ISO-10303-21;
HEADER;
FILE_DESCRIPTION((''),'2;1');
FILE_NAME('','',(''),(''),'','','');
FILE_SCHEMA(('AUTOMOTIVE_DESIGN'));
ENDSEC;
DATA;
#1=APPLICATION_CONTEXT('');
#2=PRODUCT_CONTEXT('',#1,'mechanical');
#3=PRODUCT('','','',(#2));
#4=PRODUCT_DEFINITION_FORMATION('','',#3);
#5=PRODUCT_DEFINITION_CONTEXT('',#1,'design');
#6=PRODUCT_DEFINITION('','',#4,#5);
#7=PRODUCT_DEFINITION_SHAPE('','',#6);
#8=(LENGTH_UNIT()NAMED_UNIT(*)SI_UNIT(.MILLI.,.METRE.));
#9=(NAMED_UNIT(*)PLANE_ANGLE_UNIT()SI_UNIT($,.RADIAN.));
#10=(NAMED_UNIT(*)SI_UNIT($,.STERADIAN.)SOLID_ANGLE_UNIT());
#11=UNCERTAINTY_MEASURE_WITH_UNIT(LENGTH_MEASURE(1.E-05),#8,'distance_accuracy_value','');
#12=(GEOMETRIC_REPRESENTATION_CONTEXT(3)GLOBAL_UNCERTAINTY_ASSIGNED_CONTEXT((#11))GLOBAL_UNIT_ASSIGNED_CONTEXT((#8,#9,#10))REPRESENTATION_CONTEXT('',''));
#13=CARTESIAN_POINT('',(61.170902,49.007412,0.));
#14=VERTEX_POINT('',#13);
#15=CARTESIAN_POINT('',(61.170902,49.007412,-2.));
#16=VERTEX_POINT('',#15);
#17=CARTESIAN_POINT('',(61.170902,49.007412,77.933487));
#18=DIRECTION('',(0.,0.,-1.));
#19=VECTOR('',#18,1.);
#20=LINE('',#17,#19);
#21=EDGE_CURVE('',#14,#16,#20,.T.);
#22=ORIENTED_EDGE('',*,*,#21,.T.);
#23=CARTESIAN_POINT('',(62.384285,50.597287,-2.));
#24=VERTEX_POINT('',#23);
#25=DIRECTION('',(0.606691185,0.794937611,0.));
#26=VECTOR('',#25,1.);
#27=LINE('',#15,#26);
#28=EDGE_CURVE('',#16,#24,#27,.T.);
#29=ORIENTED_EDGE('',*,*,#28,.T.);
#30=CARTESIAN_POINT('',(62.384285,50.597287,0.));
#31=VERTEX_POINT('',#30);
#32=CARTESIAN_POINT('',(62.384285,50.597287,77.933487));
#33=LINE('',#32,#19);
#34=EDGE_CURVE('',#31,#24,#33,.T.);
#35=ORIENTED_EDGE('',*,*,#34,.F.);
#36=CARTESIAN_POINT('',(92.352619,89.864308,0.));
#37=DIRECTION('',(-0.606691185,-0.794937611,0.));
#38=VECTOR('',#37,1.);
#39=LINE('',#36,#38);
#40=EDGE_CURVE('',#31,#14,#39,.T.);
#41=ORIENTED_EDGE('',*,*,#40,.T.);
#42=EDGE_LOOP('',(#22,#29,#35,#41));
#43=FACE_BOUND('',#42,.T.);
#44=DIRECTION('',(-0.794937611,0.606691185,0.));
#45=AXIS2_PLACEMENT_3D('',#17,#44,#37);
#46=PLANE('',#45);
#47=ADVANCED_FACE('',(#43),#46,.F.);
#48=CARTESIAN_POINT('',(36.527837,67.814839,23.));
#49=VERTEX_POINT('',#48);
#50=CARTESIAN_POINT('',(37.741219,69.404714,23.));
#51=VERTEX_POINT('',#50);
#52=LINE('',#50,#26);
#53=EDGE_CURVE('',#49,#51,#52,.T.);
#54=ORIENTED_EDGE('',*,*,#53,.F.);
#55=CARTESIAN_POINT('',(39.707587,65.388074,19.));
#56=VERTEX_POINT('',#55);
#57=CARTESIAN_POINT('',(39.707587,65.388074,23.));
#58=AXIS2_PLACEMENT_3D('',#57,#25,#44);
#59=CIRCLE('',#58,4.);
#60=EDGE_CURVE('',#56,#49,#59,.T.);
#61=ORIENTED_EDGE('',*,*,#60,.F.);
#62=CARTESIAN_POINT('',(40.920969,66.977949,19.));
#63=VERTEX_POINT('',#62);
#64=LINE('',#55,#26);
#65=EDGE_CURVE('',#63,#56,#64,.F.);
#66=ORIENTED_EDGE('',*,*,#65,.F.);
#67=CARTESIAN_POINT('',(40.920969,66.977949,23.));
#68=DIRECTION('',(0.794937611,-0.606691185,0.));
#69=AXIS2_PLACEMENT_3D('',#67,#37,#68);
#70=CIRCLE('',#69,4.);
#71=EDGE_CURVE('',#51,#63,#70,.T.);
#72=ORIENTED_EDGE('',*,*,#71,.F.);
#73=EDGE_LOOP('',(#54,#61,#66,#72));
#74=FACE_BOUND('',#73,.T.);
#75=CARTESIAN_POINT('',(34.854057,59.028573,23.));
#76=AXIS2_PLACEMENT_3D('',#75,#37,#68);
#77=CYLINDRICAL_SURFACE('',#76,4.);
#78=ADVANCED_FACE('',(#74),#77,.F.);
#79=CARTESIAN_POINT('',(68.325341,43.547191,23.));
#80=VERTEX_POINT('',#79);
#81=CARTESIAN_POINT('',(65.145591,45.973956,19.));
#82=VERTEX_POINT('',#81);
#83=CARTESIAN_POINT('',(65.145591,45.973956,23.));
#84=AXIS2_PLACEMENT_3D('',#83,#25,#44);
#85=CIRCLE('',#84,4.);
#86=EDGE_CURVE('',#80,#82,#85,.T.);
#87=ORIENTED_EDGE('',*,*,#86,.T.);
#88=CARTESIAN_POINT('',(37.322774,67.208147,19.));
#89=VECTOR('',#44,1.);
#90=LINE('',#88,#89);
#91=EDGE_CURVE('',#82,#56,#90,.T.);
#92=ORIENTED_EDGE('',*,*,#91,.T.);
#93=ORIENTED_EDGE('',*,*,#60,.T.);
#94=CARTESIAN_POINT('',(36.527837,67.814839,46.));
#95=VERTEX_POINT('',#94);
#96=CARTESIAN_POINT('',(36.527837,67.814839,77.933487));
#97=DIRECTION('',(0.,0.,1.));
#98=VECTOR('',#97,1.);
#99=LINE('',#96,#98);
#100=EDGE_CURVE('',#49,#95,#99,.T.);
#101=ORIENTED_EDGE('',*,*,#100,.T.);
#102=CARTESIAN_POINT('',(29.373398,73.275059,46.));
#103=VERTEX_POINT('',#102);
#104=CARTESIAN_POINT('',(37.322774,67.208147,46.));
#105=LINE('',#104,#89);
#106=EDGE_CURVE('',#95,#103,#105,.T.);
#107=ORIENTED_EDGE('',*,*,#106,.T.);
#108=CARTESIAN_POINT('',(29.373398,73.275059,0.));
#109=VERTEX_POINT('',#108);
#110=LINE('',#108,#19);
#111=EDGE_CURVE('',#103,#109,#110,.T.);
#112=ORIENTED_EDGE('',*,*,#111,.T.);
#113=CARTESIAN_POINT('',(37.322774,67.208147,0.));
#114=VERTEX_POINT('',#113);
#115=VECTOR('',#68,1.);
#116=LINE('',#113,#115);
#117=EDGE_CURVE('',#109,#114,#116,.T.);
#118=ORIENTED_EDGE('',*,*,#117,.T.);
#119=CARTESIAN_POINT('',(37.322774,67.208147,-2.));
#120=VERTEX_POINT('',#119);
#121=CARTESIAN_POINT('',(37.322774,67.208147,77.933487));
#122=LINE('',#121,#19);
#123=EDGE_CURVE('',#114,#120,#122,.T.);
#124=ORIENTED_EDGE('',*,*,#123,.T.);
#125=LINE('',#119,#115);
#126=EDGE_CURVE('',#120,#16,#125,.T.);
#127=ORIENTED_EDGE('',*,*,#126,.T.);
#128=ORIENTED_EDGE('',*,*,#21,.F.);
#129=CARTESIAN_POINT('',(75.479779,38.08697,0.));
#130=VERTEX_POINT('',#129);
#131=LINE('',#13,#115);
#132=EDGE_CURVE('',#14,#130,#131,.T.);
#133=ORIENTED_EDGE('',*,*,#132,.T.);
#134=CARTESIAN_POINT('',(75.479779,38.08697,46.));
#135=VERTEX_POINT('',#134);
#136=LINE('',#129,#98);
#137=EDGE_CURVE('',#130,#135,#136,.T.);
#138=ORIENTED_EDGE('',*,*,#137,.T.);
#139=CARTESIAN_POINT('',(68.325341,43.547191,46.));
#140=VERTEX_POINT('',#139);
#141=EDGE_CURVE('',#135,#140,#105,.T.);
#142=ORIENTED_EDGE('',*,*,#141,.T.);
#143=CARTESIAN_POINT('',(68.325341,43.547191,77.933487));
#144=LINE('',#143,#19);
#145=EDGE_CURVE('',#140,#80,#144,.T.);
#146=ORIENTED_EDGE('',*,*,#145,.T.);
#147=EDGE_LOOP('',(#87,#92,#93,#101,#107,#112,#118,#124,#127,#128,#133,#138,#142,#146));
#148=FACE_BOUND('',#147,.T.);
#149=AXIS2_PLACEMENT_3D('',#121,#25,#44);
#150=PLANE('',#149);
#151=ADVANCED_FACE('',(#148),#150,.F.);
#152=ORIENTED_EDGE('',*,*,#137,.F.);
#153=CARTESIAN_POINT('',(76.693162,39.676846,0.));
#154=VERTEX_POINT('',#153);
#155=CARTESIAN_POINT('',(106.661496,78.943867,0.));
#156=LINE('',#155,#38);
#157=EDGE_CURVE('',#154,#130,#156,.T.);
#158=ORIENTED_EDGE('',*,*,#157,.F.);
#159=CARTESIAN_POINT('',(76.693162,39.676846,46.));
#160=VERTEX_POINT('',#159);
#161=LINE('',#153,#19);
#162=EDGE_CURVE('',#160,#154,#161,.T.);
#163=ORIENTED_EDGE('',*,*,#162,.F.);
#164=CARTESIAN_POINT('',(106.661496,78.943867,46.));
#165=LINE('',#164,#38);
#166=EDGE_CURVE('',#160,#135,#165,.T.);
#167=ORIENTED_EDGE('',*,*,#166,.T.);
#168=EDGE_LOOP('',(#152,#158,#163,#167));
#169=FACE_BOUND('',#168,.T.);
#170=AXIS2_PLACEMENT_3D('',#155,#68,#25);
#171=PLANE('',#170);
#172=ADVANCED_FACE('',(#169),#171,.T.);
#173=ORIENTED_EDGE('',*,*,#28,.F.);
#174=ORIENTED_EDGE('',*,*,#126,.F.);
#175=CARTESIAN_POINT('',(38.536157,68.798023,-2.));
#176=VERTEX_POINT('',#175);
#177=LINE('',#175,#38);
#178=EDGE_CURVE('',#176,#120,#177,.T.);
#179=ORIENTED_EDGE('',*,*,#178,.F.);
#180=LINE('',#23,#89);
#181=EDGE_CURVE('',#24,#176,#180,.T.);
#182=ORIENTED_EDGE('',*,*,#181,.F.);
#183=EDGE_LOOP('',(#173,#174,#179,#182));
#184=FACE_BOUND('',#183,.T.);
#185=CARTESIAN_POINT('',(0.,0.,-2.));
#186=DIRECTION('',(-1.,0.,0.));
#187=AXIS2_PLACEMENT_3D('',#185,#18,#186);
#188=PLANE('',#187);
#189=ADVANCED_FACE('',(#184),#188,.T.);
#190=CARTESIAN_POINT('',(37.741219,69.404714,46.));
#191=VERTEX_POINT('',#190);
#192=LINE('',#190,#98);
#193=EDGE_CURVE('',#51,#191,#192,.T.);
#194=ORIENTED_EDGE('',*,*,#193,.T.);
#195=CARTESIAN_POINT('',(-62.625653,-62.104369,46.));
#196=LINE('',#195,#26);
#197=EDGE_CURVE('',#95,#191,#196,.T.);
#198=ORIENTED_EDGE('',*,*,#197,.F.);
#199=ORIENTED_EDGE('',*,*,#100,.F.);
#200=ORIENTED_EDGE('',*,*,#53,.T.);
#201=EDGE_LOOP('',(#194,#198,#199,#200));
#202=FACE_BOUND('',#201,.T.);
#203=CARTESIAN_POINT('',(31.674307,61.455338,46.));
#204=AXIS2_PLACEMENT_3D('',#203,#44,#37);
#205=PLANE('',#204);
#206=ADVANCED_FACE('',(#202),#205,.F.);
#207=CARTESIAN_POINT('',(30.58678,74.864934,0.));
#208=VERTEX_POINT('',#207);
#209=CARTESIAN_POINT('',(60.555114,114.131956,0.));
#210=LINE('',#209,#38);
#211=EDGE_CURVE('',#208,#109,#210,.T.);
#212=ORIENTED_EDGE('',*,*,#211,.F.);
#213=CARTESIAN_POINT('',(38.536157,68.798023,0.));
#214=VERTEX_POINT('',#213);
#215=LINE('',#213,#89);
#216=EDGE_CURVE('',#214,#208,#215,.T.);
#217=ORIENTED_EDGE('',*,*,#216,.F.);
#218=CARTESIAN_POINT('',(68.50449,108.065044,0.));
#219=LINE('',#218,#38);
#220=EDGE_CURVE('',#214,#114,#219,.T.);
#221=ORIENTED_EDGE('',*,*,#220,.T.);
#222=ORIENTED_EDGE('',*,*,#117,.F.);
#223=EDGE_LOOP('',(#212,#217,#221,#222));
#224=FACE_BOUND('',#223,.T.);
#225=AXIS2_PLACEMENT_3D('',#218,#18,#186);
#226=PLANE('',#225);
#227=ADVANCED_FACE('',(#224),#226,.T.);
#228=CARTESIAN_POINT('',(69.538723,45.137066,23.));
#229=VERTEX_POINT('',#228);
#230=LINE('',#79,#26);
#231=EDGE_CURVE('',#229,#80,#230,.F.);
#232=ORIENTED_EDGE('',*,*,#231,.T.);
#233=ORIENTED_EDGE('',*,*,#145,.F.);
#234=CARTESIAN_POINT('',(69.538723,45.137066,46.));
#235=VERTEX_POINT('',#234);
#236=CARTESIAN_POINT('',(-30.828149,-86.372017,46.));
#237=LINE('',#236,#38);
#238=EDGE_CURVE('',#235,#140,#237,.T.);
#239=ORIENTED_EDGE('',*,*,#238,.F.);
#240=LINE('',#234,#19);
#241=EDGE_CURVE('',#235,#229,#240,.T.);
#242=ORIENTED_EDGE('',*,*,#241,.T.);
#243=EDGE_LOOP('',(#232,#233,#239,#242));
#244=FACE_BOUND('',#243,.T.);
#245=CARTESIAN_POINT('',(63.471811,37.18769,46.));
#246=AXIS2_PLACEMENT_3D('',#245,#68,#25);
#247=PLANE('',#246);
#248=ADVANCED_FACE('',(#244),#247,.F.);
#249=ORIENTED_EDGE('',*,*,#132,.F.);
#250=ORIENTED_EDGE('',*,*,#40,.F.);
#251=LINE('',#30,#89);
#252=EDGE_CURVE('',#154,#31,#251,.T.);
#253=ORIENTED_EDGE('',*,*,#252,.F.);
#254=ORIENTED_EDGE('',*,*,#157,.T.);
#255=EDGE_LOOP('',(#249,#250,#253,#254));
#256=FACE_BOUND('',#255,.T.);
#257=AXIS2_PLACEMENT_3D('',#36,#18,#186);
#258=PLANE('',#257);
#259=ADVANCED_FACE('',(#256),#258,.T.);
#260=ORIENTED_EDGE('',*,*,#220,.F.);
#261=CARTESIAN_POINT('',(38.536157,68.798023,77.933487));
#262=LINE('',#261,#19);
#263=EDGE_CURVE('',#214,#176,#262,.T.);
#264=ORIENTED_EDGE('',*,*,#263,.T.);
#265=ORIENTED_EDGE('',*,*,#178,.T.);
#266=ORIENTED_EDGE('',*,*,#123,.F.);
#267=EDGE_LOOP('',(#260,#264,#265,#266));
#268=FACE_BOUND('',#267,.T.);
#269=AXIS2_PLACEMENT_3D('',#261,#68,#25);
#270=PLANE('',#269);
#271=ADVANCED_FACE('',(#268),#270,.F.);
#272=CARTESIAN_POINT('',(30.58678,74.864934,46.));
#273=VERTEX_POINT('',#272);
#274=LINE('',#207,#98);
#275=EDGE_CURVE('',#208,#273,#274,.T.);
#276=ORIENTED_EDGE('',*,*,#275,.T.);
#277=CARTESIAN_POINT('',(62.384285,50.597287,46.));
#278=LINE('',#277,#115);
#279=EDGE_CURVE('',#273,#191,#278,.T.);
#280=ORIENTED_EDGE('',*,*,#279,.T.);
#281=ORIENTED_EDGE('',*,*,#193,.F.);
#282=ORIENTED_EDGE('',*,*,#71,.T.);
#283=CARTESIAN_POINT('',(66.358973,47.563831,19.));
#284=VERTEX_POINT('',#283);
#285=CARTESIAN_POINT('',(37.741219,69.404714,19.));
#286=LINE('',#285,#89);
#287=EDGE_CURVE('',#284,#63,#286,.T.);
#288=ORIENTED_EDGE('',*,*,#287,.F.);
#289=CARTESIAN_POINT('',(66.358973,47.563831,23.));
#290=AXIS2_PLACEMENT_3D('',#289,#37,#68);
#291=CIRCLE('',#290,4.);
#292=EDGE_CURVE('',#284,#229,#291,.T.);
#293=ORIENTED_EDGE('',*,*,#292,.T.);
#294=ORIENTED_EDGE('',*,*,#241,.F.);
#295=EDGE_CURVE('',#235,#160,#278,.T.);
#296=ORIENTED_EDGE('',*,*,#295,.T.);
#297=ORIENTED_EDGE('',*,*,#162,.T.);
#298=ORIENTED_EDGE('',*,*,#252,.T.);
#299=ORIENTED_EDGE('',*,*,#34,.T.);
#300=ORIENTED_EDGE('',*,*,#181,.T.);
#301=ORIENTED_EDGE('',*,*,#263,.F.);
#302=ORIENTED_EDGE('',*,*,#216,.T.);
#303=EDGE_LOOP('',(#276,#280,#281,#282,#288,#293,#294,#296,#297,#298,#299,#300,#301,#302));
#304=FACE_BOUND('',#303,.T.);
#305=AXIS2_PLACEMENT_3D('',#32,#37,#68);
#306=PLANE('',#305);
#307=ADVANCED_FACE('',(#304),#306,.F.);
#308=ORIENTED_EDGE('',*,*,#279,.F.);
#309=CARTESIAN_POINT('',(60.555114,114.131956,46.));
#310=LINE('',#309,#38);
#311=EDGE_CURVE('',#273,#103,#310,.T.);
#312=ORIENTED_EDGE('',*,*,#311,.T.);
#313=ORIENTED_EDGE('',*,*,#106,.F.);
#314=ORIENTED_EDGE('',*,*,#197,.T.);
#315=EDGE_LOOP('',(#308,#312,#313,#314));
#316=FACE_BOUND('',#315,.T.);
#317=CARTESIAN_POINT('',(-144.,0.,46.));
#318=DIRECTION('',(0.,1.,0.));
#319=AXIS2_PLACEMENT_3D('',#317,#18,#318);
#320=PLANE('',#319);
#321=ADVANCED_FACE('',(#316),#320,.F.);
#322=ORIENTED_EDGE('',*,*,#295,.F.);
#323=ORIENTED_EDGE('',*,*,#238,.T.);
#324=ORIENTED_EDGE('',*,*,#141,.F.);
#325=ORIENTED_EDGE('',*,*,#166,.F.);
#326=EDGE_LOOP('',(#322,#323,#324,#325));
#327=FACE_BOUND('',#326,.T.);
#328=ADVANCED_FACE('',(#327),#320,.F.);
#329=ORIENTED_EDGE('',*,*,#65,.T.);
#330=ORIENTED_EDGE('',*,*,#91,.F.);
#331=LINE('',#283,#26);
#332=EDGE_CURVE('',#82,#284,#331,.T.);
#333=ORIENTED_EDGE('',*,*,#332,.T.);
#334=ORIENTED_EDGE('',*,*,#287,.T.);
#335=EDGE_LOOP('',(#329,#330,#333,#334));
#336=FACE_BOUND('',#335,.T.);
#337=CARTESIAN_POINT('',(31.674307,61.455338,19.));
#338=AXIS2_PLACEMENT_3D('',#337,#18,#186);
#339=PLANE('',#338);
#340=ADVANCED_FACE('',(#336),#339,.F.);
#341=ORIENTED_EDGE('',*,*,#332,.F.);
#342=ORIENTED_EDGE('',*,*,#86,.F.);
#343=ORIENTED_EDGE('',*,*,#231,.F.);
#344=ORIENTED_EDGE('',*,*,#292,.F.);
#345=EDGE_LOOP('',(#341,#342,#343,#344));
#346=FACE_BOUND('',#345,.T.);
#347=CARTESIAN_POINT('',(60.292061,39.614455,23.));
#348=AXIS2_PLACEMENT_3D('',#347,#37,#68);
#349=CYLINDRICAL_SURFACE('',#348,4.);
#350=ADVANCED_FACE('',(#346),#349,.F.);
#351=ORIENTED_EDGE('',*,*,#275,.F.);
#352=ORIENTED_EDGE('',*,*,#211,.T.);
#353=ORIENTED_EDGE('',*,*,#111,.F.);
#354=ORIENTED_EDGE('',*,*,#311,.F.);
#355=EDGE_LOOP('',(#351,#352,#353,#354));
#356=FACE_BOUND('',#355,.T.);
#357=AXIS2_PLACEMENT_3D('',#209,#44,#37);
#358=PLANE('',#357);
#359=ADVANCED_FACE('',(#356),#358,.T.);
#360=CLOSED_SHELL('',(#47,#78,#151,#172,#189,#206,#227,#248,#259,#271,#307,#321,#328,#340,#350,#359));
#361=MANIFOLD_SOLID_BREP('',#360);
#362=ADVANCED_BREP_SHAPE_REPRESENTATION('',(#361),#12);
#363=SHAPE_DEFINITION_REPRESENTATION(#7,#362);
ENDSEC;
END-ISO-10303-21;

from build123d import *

# Parameters (mm, degrees)
ESTRUSIONE_ESTRUSIONE1_DEPTH      = 46
ESTRUSIONE_ESTRUSIONE1_DEPTH_BACK = 2
SCHIZZO2_W                        = 10
SCHIZZO2_H                        = 46
SCHIZZO2_W_2                      = 18
ESTRUSIONE_ESTRUSIONE2_DEPTH      = 2
SCHIZZO3_W                        = 40
SCHIZZO3_H                        = 27
TAGLIO_ESTRUSIONE1_DEPTH          = 10
RACCORDO1_R                       = 4


with BuildPart() as part:
    # Schizzo1 → Estrusione-Estrusione1 (new, two sides: drawn at the far end of the back side and taken through both)
    with BuildSketch(Plane.XY.offset(-ESTRUSIONE_ESTRUSIONE1_DEPTH_BACK)):
        Polygon((62.384284835, 50.597287007), (38.536156503, 68.79802257), (37.322774132, 67.208147347), (61.170902464, 49.007411784), align=None)
    extrude(amount=ESTRUSIONE_ESTRUSIONE1_DEPTH + ESTRUSIONE_ESTRUSIONE1_DEPTH_BACK)

    # Schizzo2 → Estrusione-Estrusione2 (add)
    with BuildSketch(Plane(origin=(46.150805657, 60.470651428, 0), x_dir=(0.7949376110826004, -0.606691185436453, 0), z_dir=(-0.606691185436453, -0.7949376110826004, 0))):
        with Locations((-16.105313678, 23)):
            Rectangle(SCHIZZO2_W, SCHIZZO2_H)
        with Locations((27.894686322, 23)):
            Rectangle(SCHIZZO2_W_2, SCHIZZO2_H)
    extrude(amount=-ESTRUSIONE_ESTRUSIONE2_DEPTH)

    # Schizzo3 → Taglio-Estrusione1 (cut)
    with BuildSketch(Plane(origin=(47.364188028, 62.06052665, 0), x_dir=(0.7949376110826014, -0.6066911854364516, 0), z_dir=(0.6066911854364516, 0.7949376110826014, 0))):
        with Locations((7.894686322, -32.5)):
            Rectangle(SCHIZZO3_W, SCHIZZO3_H)
    extrude(amount=-TAGLIO_ESTRUSIONE1_DEPTH, mode=Mode.SUBTRACT)

    # Raccordo1
    raccordo1_edges = [part.edges().sort_by_distance(p)[0] for p in [
        (37.134527706, 68.609776144, 19),
        (68.932032149, 44.342128727, 19),
    ]]
    fillet(raccordo1_edges, radius=RACCORDO1_R)


solid = part.part
